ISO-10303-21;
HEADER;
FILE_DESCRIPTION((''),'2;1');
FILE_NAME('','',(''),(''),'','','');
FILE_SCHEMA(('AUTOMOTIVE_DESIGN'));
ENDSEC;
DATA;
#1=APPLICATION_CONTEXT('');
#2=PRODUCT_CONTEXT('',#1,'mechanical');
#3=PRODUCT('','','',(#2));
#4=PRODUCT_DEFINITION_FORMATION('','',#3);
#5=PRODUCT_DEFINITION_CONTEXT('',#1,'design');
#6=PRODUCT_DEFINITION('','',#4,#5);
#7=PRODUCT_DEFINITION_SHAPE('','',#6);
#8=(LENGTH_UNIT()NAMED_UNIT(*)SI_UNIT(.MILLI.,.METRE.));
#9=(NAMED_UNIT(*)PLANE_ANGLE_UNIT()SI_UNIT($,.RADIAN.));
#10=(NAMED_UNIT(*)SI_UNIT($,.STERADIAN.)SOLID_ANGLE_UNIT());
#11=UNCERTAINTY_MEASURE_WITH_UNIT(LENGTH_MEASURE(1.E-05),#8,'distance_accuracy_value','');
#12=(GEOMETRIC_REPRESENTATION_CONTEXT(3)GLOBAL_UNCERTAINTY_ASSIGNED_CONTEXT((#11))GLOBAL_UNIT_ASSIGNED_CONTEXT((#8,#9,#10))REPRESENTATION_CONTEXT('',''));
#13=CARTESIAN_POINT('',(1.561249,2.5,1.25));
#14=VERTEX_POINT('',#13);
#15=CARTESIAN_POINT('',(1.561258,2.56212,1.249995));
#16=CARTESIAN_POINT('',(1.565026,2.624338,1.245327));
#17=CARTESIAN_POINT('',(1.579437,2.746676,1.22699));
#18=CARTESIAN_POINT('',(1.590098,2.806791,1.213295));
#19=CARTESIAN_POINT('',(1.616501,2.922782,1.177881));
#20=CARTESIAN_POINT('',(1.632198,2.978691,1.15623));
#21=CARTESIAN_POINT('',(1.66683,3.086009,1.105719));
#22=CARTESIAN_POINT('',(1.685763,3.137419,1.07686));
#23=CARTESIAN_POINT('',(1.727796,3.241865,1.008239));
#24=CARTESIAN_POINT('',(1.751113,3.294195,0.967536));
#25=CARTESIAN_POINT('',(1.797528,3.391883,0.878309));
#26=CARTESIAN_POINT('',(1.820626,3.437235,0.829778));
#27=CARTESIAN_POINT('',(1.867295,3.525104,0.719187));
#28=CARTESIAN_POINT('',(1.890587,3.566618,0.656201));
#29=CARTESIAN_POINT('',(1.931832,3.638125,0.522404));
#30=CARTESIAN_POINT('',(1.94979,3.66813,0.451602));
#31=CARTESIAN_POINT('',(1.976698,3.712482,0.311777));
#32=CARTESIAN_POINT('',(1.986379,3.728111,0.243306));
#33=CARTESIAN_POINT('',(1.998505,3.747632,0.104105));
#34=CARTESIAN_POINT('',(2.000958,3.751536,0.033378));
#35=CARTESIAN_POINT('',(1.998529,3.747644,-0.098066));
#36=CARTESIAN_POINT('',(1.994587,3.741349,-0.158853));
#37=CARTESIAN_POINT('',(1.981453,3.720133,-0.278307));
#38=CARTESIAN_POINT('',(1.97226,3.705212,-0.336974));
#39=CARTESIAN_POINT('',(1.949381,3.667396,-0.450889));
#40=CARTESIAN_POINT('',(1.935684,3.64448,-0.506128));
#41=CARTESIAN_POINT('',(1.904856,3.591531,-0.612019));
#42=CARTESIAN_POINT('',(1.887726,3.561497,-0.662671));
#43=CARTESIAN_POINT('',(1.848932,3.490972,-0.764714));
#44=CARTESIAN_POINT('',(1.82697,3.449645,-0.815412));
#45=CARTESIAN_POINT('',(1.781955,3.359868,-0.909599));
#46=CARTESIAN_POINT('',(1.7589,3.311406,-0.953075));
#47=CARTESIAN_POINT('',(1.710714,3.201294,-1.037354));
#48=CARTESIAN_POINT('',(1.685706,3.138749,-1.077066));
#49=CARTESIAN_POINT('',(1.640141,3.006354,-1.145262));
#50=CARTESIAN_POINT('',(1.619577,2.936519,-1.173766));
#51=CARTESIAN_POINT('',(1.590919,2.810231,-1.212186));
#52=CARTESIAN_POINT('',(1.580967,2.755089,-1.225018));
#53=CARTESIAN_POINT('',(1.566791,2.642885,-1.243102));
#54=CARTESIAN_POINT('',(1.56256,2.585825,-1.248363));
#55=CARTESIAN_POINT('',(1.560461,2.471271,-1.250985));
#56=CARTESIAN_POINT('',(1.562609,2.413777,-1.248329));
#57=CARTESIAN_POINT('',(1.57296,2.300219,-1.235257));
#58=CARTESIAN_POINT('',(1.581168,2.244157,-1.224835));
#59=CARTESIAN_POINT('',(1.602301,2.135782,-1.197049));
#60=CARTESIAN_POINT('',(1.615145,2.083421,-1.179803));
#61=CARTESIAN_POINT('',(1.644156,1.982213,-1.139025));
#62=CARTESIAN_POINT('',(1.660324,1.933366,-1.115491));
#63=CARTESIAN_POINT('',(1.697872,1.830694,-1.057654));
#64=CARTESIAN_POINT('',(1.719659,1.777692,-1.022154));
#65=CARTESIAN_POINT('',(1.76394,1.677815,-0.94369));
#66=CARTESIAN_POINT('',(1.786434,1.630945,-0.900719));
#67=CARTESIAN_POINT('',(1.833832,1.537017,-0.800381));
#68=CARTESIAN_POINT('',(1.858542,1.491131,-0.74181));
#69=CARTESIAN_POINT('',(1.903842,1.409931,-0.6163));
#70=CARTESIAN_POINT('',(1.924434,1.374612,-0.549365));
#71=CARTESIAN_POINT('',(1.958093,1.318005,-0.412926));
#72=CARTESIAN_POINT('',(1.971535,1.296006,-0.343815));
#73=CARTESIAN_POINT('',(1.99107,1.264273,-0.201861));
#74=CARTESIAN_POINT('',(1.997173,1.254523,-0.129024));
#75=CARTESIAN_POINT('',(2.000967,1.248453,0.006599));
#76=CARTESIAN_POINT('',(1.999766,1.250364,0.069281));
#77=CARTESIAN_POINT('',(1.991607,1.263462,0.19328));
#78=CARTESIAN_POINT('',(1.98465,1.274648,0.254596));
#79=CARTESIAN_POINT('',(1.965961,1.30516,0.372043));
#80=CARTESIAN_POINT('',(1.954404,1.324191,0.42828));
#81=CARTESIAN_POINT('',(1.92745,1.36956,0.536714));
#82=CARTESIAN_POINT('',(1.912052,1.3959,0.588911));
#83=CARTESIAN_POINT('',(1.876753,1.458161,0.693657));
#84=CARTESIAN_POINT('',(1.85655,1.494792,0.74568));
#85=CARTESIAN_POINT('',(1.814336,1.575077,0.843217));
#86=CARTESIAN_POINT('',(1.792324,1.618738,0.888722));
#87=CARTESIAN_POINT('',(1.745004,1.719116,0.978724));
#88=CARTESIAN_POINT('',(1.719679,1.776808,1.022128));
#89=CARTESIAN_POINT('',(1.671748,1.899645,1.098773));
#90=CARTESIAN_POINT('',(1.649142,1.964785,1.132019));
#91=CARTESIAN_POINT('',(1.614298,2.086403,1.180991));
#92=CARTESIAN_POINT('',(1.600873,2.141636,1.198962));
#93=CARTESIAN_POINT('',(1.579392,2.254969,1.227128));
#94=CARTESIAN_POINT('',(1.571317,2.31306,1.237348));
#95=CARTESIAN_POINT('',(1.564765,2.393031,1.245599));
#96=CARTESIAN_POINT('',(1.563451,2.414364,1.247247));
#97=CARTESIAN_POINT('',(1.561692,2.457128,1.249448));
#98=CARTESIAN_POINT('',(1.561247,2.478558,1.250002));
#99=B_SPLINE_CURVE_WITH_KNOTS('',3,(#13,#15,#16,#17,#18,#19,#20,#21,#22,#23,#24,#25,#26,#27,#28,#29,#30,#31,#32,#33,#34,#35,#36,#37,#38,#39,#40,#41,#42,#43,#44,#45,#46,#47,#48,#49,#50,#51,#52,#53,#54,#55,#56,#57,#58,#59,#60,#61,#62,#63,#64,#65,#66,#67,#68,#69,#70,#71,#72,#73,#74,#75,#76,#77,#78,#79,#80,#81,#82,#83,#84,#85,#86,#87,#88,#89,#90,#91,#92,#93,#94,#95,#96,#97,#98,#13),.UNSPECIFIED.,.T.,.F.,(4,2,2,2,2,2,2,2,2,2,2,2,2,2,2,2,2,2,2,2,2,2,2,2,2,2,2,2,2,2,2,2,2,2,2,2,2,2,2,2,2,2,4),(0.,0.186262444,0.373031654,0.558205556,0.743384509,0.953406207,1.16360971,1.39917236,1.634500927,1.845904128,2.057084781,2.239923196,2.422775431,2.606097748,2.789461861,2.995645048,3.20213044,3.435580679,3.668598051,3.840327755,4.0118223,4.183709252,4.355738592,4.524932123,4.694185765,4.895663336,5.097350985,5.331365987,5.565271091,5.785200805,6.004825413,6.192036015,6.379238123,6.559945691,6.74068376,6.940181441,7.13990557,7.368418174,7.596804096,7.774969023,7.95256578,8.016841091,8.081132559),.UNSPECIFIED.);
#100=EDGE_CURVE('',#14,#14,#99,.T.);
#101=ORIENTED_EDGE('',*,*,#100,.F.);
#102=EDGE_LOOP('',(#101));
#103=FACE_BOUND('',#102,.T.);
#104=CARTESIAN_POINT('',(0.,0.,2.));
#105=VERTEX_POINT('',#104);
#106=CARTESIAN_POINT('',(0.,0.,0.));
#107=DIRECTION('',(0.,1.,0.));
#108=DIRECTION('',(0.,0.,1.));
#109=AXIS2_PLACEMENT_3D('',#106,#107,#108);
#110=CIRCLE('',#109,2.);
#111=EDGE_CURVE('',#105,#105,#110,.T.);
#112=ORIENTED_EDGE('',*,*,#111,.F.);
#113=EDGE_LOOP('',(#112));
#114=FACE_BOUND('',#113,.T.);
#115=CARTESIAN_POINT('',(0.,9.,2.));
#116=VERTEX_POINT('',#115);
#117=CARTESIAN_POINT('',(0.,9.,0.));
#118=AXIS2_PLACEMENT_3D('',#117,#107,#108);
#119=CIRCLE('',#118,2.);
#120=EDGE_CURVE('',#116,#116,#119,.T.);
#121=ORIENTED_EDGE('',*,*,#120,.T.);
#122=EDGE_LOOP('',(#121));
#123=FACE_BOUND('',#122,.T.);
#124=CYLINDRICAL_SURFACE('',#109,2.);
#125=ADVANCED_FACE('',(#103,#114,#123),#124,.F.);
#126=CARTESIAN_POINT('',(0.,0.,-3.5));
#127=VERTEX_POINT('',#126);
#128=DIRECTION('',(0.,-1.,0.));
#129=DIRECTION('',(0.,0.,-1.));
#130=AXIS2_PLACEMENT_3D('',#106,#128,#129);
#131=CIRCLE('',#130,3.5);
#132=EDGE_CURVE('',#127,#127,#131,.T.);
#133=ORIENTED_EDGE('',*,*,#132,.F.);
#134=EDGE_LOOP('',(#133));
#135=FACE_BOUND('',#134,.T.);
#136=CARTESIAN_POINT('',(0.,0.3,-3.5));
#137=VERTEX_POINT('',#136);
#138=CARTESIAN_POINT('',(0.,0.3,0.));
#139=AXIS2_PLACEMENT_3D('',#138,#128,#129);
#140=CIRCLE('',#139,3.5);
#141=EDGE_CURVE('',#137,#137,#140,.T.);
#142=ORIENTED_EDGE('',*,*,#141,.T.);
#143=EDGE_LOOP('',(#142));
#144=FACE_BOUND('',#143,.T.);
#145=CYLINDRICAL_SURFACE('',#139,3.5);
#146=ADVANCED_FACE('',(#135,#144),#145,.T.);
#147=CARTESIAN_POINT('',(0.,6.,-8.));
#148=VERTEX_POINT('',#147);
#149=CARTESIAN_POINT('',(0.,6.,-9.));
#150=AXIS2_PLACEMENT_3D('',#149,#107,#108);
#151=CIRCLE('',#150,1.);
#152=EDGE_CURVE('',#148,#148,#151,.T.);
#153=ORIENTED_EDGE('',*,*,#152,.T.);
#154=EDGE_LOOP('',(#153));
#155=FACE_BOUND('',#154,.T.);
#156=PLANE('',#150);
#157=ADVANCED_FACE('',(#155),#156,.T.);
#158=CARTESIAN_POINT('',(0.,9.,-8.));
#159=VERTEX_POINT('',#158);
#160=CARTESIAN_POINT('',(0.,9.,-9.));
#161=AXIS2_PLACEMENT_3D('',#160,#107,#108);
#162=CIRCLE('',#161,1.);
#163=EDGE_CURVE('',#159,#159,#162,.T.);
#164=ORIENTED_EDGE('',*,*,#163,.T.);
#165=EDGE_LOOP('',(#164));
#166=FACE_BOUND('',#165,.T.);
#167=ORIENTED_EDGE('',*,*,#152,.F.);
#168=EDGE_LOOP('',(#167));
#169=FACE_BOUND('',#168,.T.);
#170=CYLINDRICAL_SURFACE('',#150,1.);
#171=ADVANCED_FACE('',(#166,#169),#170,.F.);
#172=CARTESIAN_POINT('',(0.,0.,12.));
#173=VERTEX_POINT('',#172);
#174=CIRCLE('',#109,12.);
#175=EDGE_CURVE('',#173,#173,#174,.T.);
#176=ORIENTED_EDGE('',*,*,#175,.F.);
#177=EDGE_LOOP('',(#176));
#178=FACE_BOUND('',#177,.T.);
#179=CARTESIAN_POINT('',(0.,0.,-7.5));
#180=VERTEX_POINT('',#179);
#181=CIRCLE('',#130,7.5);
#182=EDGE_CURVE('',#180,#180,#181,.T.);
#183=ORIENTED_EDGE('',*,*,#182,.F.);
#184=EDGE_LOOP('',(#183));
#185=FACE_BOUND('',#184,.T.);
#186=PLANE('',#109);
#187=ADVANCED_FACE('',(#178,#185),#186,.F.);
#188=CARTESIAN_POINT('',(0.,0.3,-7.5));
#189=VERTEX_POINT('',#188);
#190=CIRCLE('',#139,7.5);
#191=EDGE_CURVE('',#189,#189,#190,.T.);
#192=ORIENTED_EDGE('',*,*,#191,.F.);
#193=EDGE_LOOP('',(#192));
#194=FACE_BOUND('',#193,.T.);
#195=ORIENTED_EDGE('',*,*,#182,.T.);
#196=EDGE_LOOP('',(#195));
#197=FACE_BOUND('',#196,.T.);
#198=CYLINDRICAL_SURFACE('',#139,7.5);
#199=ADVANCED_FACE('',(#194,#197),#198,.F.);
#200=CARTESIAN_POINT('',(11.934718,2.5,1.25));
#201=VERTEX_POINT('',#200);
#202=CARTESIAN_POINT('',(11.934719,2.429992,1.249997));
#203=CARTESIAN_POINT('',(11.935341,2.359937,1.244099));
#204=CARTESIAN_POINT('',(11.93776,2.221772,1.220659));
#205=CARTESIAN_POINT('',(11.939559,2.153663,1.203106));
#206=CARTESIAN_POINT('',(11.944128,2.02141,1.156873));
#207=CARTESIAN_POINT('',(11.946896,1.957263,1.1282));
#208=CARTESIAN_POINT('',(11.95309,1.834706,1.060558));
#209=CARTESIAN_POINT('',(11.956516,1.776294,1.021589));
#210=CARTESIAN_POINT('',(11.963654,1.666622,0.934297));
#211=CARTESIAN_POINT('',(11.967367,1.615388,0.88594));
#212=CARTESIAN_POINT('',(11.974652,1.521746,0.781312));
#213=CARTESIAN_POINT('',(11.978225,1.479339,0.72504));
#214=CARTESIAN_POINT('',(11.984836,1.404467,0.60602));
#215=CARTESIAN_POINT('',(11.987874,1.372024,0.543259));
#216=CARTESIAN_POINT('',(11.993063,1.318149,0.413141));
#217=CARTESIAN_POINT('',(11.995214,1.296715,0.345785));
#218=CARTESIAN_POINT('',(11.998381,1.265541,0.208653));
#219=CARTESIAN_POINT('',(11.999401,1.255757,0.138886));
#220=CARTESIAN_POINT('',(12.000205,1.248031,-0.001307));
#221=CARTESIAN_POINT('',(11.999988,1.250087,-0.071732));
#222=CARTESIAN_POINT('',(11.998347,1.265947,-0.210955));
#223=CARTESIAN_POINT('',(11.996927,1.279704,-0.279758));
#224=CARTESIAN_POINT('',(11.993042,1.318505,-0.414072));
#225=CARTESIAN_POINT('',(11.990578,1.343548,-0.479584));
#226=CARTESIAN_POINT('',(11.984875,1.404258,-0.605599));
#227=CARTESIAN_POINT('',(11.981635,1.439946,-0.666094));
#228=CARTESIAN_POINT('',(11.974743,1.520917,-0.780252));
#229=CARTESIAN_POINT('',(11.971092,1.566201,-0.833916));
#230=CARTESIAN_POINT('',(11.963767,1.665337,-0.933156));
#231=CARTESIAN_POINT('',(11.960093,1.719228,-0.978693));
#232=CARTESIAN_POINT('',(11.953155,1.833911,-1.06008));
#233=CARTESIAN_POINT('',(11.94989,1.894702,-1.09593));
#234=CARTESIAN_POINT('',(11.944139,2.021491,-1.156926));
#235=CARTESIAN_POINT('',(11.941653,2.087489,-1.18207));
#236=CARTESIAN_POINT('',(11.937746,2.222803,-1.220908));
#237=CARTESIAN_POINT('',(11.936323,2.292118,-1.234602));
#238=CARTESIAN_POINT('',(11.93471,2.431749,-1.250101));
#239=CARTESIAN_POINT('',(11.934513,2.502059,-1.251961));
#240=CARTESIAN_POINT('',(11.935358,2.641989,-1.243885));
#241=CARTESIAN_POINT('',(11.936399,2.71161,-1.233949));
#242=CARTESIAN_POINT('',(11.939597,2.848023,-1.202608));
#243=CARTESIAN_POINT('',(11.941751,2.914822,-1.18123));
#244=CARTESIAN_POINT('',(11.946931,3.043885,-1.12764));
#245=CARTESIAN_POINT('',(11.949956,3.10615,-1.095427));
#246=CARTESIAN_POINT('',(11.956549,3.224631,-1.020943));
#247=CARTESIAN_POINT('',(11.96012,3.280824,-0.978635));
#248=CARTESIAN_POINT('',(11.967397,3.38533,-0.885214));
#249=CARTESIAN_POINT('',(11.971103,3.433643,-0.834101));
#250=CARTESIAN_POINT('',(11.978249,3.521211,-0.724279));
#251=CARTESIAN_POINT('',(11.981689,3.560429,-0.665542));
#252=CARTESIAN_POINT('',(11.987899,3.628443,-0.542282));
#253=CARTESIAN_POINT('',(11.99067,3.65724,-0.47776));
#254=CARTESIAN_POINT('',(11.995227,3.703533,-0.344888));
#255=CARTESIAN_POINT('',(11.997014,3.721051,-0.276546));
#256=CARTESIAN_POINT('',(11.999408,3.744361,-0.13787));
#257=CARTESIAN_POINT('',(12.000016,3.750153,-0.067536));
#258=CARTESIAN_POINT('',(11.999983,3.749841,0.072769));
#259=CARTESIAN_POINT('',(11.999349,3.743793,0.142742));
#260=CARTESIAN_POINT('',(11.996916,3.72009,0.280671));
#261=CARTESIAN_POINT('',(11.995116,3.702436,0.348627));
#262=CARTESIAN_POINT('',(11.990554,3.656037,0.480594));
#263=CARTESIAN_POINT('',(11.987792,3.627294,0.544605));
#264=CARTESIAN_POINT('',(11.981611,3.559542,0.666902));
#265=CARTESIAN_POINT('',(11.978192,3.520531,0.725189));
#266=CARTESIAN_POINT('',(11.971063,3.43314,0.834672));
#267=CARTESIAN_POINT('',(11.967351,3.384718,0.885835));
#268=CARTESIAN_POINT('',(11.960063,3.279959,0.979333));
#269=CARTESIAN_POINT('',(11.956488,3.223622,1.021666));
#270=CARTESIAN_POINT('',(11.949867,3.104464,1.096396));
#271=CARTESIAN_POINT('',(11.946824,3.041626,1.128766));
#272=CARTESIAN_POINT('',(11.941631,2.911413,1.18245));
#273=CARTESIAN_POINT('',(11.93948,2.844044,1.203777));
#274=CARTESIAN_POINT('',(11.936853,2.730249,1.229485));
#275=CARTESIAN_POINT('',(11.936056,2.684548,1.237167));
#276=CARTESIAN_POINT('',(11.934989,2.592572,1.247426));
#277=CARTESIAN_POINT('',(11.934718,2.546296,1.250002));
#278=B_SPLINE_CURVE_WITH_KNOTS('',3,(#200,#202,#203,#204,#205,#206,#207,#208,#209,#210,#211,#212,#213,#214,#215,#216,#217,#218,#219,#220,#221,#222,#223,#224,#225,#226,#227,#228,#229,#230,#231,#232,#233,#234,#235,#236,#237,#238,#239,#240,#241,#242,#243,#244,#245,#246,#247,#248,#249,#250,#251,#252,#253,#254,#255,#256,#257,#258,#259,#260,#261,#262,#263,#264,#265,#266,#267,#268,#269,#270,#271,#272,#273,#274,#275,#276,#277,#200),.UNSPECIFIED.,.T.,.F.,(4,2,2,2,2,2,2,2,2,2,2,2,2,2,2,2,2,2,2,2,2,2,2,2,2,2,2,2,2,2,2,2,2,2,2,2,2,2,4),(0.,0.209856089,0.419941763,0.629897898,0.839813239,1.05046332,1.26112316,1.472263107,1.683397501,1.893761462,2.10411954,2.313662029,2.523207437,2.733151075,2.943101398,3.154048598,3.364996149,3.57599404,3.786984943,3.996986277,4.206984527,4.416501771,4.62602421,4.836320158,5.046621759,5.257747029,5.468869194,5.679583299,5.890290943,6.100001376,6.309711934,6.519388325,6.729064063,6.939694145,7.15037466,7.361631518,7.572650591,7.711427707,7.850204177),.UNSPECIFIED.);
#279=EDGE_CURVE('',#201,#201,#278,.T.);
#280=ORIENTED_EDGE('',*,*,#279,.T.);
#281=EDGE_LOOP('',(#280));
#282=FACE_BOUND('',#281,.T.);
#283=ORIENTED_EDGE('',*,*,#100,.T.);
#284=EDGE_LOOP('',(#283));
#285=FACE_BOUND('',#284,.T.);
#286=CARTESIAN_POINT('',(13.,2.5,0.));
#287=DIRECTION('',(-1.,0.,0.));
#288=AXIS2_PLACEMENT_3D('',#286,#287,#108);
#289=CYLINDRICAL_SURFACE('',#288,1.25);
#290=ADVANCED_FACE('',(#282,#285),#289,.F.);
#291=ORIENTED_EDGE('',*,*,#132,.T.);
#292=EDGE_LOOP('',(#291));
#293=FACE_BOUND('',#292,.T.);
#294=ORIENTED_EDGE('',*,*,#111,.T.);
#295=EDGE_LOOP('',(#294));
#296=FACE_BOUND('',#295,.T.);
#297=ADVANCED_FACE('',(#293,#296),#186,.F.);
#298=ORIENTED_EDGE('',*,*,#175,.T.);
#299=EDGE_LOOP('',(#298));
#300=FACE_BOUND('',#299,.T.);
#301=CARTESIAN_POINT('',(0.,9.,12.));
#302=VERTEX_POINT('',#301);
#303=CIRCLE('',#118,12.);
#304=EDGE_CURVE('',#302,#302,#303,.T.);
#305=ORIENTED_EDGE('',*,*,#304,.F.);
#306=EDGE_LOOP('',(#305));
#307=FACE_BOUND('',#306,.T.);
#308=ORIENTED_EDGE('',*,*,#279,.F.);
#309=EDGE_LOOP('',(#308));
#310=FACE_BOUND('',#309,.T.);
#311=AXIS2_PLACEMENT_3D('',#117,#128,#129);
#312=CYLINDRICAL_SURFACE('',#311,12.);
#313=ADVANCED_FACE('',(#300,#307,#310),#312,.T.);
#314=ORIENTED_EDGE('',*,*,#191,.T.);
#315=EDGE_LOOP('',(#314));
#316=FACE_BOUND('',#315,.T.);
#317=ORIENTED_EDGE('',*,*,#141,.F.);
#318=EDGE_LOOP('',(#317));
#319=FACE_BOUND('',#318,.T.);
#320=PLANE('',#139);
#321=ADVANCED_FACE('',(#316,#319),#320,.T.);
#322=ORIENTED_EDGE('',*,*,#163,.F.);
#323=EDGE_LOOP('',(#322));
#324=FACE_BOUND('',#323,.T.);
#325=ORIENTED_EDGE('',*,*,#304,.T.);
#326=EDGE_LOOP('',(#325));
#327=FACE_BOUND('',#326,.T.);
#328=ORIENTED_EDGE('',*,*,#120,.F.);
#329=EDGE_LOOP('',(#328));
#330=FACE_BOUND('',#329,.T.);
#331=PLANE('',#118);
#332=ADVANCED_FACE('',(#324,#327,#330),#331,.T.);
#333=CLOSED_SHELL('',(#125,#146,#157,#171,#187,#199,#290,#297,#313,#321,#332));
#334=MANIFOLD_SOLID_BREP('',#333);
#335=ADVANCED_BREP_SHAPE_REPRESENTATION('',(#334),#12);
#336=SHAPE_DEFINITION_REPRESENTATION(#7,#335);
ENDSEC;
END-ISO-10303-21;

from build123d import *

# Parameters (mm, degrees)
SKETCH_1_R          = 12
EXTRUDE_1_DEPTH     = 9
SKETCH_2_R          = 2
CUT_EXTRUDE_1_DEPTH = 20.209372712
SKETCH_3_R          = 1
CUT_EXTRUDE_2_DEPTH = 3
SKETCH_4_R          = 1.25
CUT_EXTRUDE_3_DEPTH = 13
SKETCH_5_R          = 7.5
SKETCH_5_R_2        = 3.5
CUT_EXTRUDE_4_DEPTH = 0.3


with BuildPart() as part:
    # 草图1 → 凸台-拉伸1 (new body)
    with BuildSketch(Plane(origin=(0, 0, 0), x_dir=(1, 0, 0), z_dir=(0, 1, 0))):
        with Locations(Location((0, 0, 0), (0, 0, 270))):
            Circle(SKETCH_1_R)
    extrude(amount=EXTRUDE_1_DEPTH)

    # 草图2 → 切除-拉伸1 (cut, through all)
    with BuildSketch(Plane(origin=(0, 9, 0), x_dir=(1, 0, 0), z_dir=(0, 1, 0))):
        with Locations(Location((0, 0, 0), (0, 0, 270))):
            Circle(SKETCH_2_R)
    extrude(amount=-CUT_EXTRUDE_1_DEPTH, mode=Mode.SUBTRACT)

    # 草图3 → 切除-拉伸2 (cut)
    with BuildSketch(Plane(origin=(0, 9, 0), x_dir=(1, 0, 0), z_dir=(0, 1, 0))):
        with Locations(Location((0, 9, 0), (0, 0, 270))):
            Circle(SKETCH_3_R)
    extrude(amount=-CUT_EXTRUDE_2_DEPTH, mode=Mode.SUBTRACT)

    # 草图4 → 切除-拉伸3 (cut)
    with BuildSketch(Plane(origin=(0, 0, 0), x_dir=(0, 0, -1), z_dir=(1, 0, 0))):
        with Locations(Location((0, 2.5, 0), (0, 0, 180))):
            Circle(SKETCH_4_R)
    extrude(amount=CUT_EXTRUDE_3_DEPTH, mode=Mode.SUBTRACT)

    # 草图5 → 切除-拉伸4 (cut)
    with BuildSketch(Plane.XZ):
        with Locations(Location((0, 0, 0), (0, 0, 270))):
            Circle(SKETCH_5_R)
        with Locations(Location((0, 0, 0), (0, 0, 270))):
            Circle(SKETCH_5_R_2, mode=Mode.SUBTRACT)
    extrude(amount=-CUT_EXTRUDE_4_DEPTH, mode=Mode.SUBTRACT)


solid = part.part
